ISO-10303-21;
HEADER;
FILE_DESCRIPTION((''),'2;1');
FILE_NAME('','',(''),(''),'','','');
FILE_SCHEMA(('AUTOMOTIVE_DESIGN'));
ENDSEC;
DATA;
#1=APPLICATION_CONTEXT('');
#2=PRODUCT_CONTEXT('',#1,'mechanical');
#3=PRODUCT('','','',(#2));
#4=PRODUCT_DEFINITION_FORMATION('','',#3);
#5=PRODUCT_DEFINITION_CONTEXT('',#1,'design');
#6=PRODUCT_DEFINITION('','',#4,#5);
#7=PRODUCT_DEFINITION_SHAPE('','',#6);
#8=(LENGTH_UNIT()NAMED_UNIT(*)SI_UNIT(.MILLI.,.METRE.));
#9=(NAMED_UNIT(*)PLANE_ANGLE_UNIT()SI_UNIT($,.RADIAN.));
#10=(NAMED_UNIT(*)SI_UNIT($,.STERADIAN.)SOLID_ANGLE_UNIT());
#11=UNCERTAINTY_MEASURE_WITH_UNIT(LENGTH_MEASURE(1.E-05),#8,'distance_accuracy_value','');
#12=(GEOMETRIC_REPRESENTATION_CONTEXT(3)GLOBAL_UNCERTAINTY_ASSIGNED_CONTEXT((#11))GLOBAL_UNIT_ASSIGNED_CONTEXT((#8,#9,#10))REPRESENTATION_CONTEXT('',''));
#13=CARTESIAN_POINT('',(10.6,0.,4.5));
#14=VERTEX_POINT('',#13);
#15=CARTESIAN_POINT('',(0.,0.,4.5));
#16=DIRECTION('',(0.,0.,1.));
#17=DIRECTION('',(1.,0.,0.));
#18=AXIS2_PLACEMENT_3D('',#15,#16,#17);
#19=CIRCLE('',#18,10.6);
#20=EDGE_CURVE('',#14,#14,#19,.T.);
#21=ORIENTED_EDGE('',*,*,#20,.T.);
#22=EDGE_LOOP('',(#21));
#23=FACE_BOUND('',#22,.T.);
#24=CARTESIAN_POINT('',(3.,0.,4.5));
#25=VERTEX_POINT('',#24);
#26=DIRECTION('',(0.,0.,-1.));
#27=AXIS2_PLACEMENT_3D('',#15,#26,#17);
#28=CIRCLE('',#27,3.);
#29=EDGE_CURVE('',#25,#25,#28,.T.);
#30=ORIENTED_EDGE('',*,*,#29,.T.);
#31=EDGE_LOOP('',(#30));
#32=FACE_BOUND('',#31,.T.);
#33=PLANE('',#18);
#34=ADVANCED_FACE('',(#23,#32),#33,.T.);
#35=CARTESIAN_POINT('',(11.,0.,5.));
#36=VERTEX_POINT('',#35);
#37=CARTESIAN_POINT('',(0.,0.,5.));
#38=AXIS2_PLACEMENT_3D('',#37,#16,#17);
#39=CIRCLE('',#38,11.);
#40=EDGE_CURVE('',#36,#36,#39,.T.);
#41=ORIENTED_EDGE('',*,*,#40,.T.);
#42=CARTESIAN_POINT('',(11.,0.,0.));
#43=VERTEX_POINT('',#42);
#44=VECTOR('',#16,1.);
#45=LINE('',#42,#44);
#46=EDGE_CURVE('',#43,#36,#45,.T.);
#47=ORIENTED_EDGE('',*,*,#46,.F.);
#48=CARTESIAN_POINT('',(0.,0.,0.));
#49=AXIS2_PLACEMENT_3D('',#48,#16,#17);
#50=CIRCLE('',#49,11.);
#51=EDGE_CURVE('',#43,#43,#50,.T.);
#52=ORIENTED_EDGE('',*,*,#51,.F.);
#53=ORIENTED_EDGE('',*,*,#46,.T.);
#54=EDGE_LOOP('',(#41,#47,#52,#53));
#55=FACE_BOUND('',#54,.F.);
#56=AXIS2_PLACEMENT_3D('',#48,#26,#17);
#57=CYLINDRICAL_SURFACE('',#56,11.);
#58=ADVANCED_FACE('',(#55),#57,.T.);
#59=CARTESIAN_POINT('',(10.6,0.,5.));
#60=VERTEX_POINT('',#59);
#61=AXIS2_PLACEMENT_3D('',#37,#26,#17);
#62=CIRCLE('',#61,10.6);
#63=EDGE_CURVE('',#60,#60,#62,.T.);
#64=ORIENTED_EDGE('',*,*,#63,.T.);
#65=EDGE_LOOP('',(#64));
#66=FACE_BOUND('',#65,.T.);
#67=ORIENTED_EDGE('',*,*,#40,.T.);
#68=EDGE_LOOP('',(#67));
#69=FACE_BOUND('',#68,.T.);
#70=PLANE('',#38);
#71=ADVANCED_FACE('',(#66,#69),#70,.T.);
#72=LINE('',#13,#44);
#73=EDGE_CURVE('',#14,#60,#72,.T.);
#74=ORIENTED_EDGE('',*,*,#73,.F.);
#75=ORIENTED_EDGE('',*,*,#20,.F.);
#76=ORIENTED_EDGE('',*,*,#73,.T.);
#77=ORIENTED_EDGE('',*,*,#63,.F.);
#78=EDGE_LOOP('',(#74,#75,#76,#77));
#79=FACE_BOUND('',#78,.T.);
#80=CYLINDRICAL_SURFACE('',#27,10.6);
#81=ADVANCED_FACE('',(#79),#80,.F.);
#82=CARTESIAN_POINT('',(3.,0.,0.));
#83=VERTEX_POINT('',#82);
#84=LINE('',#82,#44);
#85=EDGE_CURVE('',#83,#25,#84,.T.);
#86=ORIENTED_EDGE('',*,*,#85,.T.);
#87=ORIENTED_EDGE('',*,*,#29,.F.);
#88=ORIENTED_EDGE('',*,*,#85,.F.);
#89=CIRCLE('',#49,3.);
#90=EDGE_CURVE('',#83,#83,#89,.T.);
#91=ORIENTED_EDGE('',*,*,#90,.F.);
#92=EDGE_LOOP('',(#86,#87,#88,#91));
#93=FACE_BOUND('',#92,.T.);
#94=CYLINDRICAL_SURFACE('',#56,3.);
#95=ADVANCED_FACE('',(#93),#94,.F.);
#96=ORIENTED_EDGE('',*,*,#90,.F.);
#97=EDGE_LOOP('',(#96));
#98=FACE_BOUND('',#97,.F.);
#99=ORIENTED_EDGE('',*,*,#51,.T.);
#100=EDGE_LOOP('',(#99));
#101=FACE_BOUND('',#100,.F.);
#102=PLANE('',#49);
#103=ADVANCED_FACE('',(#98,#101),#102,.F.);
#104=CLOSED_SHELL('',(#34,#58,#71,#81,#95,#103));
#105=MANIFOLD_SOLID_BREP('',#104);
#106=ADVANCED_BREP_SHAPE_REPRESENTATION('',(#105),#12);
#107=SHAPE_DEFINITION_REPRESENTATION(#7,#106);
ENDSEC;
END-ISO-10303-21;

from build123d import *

# Parameters (mm, degrees)
CYLINDER036_R     = 10.6
CYLINDER036_DEPTH = 10
CYLINDER034_R     = 3
CYLINDER034_DEPTH = 5
CYLINDER035_R     = 11
CYLINDER035_DEPTH = 5


with BuildPart() as cylinder036:
    # Cylinder036 → Cylinder036 (new body)
    with BuildSketch(Plane.XY.offset(4.5)):
        Circle(CYLINDER036_R)
    extrude(amount=CYLINDER036_DEPTH)


with BuildPart() as cylinder034:
    # Cylinder034 → Cylinder034 (new body)
    with BuildSketch(Plane.XY):
        Circle(CYLINDER034_R)
    extrude(amount=CYLINDER034_DEPTH)


with BuildPart() as cut030:
    # Cylinder035 → Cylinder035 (new body)
    with BuildSketch(Plane.XY):
        Circle(CYLINDER035_R)
    extrude(amount=CYLINDER035_DEPTH)

    # Cut029: cut Cylinder034
    add(cylinder034.part, mode=Mode.SUBTRACT)

    # Cut030: cut Cylinder036
    add(cylinder036.part, mode=Mode.SUBTRACT)


solid = cut030.part
